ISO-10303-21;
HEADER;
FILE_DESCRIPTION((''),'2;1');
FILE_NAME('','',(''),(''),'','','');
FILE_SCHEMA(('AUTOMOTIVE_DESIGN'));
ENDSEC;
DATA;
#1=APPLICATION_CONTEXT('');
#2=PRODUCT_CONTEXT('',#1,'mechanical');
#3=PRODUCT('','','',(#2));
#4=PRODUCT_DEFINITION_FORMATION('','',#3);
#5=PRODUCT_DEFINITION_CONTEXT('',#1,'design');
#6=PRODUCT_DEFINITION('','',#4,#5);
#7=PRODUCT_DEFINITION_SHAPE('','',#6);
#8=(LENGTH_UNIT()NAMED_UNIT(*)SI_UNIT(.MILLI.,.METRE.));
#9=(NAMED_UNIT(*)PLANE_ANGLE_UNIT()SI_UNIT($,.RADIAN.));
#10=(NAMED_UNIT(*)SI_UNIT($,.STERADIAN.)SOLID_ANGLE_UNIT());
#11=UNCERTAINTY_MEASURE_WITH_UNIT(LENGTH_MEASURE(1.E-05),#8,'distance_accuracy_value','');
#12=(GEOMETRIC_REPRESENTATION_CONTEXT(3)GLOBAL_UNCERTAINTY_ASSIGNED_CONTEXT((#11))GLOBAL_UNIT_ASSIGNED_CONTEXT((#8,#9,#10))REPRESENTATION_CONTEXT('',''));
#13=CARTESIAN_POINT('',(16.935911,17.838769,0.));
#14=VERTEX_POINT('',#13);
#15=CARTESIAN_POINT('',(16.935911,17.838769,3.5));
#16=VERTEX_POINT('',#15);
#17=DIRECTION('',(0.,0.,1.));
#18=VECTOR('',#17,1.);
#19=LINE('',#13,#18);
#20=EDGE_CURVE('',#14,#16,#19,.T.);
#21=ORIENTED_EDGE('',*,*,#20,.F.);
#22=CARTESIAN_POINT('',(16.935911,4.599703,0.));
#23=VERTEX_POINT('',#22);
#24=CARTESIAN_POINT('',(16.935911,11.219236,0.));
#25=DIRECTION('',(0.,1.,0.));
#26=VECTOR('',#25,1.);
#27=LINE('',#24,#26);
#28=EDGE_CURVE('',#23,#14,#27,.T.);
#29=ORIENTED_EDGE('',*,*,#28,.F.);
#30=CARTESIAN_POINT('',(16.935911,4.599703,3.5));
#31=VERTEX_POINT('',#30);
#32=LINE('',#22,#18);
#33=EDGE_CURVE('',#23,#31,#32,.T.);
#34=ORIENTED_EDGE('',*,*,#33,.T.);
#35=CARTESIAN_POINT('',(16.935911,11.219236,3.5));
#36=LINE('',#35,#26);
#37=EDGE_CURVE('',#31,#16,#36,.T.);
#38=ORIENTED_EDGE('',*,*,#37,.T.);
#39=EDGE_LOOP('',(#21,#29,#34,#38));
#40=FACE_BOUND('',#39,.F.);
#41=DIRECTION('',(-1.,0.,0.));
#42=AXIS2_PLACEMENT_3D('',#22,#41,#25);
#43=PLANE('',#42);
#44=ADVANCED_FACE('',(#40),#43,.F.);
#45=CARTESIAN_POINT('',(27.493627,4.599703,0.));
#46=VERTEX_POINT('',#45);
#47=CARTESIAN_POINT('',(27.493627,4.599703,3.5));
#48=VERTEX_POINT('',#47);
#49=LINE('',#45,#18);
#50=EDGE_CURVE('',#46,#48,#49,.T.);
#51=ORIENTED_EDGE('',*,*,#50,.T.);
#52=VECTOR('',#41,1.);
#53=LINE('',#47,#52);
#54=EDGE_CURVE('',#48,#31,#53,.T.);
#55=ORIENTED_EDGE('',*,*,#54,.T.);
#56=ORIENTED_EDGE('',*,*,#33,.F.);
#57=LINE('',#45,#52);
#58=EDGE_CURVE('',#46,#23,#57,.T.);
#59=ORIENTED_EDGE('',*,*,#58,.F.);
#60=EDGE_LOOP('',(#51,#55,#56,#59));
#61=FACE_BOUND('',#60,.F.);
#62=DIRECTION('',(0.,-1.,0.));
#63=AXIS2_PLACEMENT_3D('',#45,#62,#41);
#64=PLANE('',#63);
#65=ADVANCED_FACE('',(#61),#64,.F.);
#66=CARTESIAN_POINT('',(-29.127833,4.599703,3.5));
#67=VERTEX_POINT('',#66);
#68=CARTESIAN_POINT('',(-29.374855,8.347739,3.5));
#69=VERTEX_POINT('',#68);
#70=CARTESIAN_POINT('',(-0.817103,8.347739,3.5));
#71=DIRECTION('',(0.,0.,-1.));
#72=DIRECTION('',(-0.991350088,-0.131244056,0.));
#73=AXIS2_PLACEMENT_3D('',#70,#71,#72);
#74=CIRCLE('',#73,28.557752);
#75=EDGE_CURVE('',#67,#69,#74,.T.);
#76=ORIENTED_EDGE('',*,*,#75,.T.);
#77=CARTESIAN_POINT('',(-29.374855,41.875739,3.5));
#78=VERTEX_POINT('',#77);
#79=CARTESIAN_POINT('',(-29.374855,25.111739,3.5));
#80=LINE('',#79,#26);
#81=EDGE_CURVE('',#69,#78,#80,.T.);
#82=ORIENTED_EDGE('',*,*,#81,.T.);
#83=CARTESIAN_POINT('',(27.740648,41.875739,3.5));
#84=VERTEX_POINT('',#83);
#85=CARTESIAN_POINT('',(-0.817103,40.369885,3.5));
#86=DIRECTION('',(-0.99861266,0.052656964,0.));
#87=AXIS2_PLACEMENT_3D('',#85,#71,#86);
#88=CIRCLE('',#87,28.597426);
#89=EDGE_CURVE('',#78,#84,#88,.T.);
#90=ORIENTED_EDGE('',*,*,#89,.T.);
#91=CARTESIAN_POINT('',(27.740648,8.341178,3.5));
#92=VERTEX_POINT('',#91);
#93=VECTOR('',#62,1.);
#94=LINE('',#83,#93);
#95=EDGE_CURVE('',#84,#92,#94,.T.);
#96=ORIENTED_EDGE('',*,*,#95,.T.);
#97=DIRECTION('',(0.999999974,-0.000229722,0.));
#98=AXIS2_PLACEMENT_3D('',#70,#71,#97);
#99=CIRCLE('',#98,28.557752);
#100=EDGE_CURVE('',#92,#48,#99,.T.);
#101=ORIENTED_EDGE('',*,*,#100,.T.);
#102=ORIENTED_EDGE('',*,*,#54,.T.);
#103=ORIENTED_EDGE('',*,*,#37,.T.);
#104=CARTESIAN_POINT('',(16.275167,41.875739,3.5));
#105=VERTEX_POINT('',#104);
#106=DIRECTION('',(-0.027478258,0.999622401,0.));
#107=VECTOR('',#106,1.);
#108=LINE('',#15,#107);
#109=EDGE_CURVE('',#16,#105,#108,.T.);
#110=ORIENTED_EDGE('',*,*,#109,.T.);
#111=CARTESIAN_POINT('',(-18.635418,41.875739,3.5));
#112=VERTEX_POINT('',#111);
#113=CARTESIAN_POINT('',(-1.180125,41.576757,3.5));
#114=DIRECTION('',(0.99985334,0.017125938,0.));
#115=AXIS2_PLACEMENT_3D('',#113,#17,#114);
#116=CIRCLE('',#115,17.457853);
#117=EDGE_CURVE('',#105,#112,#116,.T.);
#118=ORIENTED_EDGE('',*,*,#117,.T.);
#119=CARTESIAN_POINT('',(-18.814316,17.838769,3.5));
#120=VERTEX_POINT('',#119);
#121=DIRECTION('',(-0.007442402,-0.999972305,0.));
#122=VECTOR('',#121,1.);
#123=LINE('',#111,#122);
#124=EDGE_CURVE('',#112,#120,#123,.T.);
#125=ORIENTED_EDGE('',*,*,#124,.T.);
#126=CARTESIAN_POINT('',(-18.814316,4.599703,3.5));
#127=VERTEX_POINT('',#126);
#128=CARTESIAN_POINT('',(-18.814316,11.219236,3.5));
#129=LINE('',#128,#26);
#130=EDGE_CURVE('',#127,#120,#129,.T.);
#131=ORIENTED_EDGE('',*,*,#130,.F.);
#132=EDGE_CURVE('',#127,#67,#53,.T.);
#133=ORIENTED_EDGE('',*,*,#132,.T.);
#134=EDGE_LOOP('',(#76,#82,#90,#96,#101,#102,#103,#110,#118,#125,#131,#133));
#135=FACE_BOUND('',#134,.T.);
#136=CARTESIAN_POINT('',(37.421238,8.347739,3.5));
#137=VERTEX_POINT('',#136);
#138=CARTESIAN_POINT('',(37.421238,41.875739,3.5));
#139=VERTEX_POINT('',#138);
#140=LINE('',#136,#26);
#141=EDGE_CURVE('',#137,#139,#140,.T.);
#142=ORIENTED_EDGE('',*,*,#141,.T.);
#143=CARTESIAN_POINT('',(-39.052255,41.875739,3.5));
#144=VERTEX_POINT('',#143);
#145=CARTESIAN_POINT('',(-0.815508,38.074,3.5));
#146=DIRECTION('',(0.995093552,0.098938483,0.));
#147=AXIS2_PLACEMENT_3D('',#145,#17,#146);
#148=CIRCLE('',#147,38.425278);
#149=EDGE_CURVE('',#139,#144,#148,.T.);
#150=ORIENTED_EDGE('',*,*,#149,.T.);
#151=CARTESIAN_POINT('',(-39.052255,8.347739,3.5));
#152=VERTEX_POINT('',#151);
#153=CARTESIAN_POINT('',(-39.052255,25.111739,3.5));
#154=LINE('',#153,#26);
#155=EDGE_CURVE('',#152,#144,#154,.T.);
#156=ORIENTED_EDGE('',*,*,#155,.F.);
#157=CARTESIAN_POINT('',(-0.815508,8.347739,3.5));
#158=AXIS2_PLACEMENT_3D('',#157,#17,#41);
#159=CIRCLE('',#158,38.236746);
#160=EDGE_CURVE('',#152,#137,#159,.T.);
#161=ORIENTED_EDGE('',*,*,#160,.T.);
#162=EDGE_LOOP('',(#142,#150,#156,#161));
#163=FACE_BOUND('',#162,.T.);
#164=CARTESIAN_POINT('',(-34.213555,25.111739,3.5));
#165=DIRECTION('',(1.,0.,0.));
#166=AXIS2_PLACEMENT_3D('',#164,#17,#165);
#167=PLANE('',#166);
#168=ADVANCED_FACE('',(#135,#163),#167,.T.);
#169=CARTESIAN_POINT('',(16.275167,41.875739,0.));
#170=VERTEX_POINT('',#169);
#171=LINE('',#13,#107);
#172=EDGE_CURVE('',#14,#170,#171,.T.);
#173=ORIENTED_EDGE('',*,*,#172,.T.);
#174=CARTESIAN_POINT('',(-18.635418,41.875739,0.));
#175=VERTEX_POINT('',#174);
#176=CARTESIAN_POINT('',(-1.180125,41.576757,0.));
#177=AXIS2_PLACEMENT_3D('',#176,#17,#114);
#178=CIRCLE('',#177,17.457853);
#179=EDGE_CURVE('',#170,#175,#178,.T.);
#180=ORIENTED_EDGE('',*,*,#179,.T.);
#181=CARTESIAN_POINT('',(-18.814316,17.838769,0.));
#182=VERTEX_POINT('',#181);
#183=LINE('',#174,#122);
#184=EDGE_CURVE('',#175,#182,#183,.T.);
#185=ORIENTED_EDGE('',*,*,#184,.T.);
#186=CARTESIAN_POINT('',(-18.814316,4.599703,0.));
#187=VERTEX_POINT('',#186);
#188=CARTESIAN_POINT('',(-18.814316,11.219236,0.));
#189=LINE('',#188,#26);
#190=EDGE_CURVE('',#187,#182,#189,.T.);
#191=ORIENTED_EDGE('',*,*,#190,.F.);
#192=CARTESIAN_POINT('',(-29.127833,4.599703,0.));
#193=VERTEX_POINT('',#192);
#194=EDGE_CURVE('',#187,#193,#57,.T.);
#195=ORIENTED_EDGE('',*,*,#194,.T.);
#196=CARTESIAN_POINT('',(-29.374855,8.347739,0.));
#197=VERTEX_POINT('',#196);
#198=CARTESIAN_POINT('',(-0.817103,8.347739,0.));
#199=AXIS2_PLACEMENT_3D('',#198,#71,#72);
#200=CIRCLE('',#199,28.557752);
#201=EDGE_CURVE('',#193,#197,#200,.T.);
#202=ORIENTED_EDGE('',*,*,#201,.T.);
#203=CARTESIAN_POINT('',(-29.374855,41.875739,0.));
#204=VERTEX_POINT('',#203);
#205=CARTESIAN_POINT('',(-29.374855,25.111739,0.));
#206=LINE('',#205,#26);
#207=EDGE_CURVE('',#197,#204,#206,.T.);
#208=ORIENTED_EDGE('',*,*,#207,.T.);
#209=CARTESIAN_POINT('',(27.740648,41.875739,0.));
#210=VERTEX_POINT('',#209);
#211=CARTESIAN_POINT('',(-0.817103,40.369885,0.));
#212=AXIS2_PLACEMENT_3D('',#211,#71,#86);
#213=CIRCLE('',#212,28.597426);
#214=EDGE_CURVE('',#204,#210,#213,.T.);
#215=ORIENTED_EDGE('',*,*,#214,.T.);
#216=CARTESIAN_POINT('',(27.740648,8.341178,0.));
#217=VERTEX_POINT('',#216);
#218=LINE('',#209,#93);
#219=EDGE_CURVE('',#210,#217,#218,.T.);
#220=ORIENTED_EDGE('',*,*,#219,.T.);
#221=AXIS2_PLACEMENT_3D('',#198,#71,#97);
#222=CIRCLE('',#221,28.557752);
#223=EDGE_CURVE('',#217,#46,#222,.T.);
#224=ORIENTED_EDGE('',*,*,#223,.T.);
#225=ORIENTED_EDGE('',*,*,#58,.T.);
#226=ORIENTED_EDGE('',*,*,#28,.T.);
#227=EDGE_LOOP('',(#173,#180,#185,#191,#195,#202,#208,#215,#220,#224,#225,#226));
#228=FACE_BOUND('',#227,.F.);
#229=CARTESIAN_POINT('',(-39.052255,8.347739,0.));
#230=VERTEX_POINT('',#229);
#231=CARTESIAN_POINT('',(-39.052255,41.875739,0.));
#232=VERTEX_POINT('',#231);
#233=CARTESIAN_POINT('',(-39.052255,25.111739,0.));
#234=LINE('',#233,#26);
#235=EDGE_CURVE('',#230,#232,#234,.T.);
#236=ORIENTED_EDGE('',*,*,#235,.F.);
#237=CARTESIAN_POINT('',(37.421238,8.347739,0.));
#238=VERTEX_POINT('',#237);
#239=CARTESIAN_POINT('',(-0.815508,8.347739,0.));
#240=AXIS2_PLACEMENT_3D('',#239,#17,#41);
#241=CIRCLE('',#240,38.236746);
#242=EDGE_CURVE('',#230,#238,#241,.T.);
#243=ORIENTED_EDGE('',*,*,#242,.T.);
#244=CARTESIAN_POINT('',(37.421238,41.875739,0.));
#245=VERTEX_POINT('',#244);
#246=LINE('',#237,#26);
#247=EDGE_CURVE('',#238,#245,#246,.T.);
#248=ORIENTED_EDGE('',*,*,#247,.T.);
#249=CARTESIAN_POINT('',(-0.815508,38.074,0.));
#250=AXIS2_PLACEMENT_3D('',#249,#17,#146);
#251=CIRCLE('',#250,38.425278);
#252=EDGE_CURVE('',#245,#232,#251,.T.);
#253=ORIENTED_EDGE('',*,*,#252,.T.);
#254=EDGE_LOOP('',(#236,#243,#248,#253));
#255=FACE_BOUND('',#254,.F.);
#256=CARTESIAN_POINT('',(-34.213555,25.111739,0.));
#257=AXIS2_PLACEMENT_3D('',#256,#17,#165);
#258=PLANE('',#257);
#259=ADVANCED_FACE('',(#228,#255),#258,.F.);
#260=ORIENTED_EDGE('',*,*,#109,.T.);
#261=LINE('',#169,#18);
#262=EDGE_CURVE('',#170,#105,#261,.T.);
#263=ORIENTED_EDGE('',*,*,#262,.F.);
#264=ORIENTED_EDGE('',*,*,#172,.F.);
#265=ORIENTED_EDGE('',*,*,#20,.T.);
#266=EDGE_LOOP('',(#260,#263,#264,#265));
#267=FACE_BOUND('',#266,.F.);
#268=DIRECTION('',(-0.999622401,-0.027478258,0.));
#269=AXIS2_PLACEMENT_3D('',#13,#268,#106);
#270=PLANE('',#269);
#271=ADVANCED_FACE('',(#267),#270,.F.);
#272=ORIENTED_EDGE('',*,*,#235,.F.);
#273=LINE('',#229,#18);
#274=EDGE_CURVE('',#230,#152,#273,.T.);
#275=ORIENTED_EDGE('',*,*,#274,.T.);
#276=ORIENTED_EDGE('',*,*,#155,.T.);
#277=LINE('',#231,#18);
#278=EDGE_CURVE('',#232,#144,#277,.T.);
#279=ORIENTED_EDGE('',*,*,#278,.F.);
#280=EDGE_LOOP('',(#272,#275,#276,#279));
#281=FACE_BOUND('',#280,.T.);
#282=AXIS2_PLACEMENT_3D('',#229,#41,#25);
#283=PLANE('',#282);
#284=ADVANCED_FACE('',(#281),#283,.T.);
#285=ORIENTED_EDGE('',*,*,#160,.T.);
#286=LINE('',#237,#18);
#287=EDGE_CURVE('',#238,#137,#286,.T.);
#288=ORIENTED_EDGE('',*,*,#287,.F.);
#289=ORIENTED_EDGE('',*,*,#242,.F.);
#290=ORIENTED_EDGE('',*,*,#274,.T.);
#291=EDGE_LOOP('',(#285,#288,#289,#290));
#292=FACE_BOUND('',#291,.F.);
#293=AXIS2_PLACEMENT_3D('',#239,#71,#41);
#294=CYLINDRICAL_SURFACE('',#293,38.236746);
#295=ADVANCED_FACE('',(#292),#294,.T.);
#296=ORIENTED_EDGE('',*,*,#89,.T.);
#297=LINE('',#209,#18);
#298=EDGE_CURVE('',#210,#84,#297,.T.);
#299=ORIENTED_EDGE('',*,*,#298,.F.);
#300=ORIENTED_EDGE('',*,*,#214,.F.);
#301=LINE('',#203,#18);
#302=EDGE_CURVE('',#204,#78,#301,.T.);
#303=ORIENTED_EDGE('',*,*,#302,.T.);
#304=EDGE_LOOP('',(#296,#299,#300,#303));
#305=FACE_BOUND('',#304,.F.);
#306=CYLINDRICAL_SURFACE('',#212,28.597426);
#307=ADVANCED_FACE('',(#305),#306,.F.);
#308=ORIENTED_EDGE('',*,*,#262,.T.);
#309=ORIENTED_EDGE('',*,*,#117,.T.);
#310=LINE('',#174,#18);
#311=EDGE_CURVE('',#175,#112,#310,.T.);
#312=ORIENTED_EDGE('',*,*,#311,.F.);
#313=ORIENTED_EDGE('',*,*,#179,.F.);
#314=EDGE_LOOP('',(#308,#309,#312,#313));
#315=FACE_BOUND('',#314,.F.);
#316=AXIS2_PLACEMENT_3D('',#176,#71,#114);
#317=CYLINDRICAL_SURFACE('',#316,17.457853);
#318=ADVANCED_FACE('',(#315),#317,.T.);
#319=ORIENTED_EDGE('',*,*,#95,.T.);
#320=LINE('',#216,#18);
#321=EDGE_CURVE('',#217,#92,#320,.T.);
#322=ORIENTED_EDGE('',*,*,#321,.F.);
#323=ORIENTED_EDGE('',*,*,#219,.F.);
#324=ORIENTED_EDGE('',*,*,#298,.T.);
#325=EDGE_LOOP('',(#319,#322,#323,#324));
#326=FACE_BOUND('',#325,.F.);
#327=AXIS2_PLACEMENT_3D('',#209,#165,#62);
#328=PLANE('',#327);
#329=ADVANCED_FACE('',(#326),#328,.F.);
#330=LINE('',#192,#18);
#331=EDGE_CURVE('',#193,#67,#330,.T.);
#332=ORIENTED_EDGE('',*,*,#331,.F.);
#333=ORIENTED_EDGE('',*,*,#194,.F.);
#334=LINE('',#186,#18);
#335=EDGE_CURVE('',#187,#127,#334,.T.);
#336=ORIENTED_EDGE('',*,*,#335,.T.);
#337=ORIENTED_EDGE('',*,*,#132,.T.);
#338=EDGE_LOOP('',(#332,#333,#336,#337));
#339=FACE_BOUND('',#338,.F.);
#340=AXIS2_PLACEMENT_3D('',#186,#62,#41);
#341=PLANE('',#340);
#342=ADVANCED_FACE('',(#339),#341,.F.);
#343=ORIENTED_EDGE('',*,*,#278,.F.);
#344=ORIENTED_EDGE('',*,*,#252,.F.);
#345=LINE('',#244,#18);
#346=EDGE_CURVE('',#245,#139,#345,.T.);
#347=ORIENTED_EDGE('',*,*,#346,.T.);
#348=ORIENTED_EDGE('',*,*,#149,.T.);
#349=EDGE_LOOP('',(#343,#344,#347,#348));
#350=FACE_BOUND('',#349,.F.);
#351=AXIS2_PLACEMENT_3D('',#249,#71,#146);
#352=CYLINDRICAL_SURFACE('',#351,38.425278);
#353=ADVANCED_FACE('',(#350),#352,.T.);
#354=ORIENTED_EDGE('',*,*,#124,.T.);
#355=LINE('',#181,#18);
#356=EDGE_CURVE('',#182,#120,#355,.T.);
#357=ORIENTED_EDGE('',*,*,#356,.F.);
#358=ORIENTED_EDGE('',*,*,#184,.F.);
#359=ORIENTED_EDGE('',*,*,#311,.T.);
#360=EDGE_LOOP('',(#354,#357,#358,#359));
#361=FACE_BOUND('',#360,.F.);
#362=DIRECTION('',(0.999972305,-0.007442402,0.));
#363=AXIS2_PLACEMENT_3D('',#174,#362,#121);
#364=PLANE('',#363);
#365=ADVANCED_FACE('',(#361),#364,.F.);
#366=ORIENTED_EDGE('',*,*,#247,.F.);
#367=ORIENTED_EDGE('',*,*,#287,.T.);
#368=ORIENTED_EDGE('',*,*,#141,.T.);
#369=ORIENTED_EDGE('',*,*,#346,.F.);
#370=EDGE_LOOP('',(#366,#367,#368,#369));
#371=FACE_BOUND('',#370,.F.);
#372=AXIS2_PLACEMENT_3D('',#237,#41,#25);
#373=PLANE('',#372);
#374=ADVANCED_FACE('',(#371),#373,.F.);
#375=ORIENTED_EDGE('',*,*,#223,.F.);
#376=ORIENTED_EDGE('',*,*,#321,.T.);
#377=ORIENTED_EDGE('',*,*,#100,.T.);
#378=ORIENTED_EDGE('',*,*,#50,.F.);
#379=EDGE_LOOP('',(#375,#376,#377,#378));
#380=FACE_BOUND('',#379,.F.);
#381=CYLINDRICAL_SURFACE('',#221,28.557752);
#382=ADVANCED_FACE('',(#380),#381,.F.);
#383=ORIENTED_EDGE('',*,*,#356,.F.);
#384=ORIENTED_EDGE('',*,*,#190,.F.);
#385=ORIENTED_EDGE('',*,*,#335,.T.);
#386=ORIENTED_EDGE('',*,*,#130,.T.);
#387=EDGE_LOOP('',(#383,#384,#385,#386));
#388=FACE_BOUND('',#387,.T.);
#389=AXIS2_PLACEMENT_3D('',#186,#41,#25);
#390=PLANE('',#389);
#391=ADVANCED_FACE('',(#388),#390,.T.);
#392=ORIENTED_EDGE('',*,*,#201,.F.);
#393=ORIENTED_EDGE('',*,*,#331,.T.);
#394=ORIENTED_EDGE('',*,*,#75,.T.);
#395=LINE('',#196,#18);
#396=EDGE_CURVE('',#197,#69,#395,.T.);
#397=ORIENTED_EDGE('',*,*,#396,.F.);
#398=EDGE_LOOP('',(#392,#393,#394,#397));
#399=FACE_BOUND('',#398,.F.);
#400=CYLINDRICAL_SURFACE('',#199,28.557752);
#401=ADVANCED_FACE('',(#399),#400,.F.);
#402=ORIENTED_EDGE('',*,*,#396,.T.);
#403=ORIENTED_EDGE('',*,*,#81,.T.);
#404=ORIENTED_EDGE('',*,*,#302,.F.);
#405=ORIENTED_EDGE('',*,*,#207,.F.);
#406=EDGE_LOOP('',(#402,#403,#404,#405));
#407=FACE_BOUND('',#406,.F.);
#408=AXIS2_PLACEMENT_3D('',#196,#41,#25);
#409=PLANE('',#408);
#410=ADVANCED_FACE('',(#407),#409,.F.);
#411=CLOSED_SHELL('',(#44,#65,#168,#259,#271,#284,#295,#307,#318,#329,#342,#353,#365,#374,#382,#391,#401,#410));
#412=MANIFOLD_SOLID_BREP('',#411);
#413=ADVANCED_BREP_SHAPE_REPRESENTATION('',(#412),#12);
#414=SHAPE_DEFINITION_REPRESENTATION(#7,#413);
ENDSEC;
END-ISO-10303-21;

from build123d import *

# Parameters (mm, degrees)
F0_W     = 9.6774
F0_H     = 33.528
F0_W_2   = 6.7188069224
F0_H_2   = 4.5997034758
F0_W_3   = 23.2836488279
F0_W_4   = 5.7477712986
F0_H_3   = 13.2390651852
F1_DEPTH = 3.5


with BuildPart() as f1:
    # F0 (on Top) → F1 (new body)
    with BuildSketch(Plane.XY):
        with Locations((-34.2135546392, 25.1117386506)):
            Rectangle(F0_W, F0_H)
        with BuildLine():
            ThreePointArc((-29.3748546392, 41.8757386506), (-0.8171033114, 68.9673107238), (27.7406480163, 41.8757386506))
            Line((27.7406480163, 41.8757386506), (37.4212376773, 41.8757386506))
            ThreePointArc((37.4212376773, 41.8757386506), (-0.8155084809, 76.4992777712), (-39.0522546392, 41.8757386506))
            Line((-39.0522546392, 41.8757386506), (-29.3748546392, 41.8757386506))
        make_face()
        Polygon((27.7406480163, 41.8757386506), (27.7406480163, 8.341178298), (37.4212376773, 8.3477386506), (37.4212376773, 41.8757386506), align=None)
        with BuildLine():
            ThreePointArc((27.7406480163, 8.341178298), (27.6786104385, 6.4663822858), (27.4936267406, 4.5997034758))
            ThreePointArc((27.4936267406, 4.5997034758), (27.0884181011, 2.2792068562), (26.4933427197, 0))
            ThreePointArc((26.4933427197, 0), (-0.8171029347, -20.210013054), (-28.127548589, 0))
            ThreePointArc((-28.127548589, 0), (-28.7226239704, 2.2792068562), (-29.1278326099, 4.5997034758))
            ThreePointArc((-29.1278326099, 4.5997034758), (-29.3130322146, 6.4696553488), (-29.3748546392, 8.3477386506))
            Line((-29.3748546392, 8.3477386506), (-39.0522546392, 8.3477386506))
            ThreePointArc((-39.0522546392, 8.3477386506), (-0.8155084809, -29.8890075077), (37.4212376773, 8.3477386506))
            Line((37.4212376773, 8.3477386506), (27.7406480163, 8.341178298))
        make_face()
        with BuildLine():
            Line((27.4936267406, 4.5997034758), (16.9359110296, 4.5997034758))
            Line((16.9359110296, 4.5997034758), (16.9359110296, 0))
            Line((16.9359110296, 0), (26.4933427197, 0))
            ThreePointArc((26.4933427197, 0), (27.0884181011, 2.2792068562), (27.4936267406, 4.5997034758))
        make_face()
        with Locations((13.5765075684, 2.2998517379)):
            Rectangle(F0_W_2, F0_H_2)
        with Locations((-1.4247203068, 2.2998517379)):
            Rectangle(F0_W_3, F0_H_2)
        with Locations((-15.9404303701, 2.2998517379)):
            Rectangle(F0_W_4, F0_H_2)
        with BuildLine():
            Line((-18.8143160194, 0), (-18.8143160194, 4.5997034758))
            Line((-18.8143160194, 4.5997034758), (-29.1278326099, 4.5997034758))
            ThreePointArc((-29.1278326099, 4.5997034758), (-28.7226239704, 2.2792068562), (-28.127548589, 0))
            Line((-28.127548589, 0), (-18.8143160194, 0))
        make_face()
        with BuildLine():
            ThreePointArc((-13.0665447208, 41.155968661), (-1.5272068761, 54.4534372667), (10.792715475, 41.8757386506))
            Line((10.792715475, 41.8757386506), (10.2171041071, 17.838768661))
            Line((10.2171041071, 17.838768661), (16.9359110296, 17.838768661))
            Line((16.9359110296, 17.838768661), (16.2751674652, 41.8757386506))
            ThreePointArc((16.2751674652, 41.8757386506), (-1.1801254004, 59.0346097607), (-18.6354182661, 41.8757386506))
            Line((-18.6354182661, 41.8757386506), (-18.8143160194, 17.838768661))
            Line((-18.8143160194, 17.838768661), (-13.0665447208, 17.838768661))
            Line((-13.0665447208, 17.838768661), (-13.0665447208, 41.155968661))
        make_face()
        with Locations((13.5765075684, 11.2192360684)):
            Rectangle(F0_W_2, F0_H_3)
        with Locations((-15.9404303701, 11.2192360684)):
            Rectangle(F0_W_4, F0_H_3)
        with BuildLine():
            Line((10.2171041071, 17.838768661), (10.792715475, 41.8757386506))
            ThreePointArc((10.792715475, 41.8757386506), (-1.5272068761, 54.4534372667), (-13.0665447208, 41.155968661))
            Line((-13.0665447208, 41.155968661), (-13.0665447208, 17.838768661))
            Line((-13.0665447208, 17.838768661), (-13.0665447208, 4.5997034758))
            Line((-13.0665447208, 4.5997034758), (10.2171041071, 4.5997034758))
            Line((10.2171041071, 4.5997034758), (10.2171041071, 17.838768661))
        make_face()
        with BuildLine():
            Line((16.9359110296, 0), (10.2171041071, 0))
            Line((10.2171041071, 0), (-13.0665447208, 0))
            Line((-13.0665447208, 0), (-18.8143160194, 0))
            Line((-18.8143160194, 0), (-28.127548589, 0))
            ThreePointArc((-28.127548589, 0), (-0.8171029347, -20.210013054), (26.4933427197, 0))
            Line((26.4933427197, 0), (16.9359110296, 0))
        make_face()
    extrude(amount=F1_DEPTH)


solid = f1.part
